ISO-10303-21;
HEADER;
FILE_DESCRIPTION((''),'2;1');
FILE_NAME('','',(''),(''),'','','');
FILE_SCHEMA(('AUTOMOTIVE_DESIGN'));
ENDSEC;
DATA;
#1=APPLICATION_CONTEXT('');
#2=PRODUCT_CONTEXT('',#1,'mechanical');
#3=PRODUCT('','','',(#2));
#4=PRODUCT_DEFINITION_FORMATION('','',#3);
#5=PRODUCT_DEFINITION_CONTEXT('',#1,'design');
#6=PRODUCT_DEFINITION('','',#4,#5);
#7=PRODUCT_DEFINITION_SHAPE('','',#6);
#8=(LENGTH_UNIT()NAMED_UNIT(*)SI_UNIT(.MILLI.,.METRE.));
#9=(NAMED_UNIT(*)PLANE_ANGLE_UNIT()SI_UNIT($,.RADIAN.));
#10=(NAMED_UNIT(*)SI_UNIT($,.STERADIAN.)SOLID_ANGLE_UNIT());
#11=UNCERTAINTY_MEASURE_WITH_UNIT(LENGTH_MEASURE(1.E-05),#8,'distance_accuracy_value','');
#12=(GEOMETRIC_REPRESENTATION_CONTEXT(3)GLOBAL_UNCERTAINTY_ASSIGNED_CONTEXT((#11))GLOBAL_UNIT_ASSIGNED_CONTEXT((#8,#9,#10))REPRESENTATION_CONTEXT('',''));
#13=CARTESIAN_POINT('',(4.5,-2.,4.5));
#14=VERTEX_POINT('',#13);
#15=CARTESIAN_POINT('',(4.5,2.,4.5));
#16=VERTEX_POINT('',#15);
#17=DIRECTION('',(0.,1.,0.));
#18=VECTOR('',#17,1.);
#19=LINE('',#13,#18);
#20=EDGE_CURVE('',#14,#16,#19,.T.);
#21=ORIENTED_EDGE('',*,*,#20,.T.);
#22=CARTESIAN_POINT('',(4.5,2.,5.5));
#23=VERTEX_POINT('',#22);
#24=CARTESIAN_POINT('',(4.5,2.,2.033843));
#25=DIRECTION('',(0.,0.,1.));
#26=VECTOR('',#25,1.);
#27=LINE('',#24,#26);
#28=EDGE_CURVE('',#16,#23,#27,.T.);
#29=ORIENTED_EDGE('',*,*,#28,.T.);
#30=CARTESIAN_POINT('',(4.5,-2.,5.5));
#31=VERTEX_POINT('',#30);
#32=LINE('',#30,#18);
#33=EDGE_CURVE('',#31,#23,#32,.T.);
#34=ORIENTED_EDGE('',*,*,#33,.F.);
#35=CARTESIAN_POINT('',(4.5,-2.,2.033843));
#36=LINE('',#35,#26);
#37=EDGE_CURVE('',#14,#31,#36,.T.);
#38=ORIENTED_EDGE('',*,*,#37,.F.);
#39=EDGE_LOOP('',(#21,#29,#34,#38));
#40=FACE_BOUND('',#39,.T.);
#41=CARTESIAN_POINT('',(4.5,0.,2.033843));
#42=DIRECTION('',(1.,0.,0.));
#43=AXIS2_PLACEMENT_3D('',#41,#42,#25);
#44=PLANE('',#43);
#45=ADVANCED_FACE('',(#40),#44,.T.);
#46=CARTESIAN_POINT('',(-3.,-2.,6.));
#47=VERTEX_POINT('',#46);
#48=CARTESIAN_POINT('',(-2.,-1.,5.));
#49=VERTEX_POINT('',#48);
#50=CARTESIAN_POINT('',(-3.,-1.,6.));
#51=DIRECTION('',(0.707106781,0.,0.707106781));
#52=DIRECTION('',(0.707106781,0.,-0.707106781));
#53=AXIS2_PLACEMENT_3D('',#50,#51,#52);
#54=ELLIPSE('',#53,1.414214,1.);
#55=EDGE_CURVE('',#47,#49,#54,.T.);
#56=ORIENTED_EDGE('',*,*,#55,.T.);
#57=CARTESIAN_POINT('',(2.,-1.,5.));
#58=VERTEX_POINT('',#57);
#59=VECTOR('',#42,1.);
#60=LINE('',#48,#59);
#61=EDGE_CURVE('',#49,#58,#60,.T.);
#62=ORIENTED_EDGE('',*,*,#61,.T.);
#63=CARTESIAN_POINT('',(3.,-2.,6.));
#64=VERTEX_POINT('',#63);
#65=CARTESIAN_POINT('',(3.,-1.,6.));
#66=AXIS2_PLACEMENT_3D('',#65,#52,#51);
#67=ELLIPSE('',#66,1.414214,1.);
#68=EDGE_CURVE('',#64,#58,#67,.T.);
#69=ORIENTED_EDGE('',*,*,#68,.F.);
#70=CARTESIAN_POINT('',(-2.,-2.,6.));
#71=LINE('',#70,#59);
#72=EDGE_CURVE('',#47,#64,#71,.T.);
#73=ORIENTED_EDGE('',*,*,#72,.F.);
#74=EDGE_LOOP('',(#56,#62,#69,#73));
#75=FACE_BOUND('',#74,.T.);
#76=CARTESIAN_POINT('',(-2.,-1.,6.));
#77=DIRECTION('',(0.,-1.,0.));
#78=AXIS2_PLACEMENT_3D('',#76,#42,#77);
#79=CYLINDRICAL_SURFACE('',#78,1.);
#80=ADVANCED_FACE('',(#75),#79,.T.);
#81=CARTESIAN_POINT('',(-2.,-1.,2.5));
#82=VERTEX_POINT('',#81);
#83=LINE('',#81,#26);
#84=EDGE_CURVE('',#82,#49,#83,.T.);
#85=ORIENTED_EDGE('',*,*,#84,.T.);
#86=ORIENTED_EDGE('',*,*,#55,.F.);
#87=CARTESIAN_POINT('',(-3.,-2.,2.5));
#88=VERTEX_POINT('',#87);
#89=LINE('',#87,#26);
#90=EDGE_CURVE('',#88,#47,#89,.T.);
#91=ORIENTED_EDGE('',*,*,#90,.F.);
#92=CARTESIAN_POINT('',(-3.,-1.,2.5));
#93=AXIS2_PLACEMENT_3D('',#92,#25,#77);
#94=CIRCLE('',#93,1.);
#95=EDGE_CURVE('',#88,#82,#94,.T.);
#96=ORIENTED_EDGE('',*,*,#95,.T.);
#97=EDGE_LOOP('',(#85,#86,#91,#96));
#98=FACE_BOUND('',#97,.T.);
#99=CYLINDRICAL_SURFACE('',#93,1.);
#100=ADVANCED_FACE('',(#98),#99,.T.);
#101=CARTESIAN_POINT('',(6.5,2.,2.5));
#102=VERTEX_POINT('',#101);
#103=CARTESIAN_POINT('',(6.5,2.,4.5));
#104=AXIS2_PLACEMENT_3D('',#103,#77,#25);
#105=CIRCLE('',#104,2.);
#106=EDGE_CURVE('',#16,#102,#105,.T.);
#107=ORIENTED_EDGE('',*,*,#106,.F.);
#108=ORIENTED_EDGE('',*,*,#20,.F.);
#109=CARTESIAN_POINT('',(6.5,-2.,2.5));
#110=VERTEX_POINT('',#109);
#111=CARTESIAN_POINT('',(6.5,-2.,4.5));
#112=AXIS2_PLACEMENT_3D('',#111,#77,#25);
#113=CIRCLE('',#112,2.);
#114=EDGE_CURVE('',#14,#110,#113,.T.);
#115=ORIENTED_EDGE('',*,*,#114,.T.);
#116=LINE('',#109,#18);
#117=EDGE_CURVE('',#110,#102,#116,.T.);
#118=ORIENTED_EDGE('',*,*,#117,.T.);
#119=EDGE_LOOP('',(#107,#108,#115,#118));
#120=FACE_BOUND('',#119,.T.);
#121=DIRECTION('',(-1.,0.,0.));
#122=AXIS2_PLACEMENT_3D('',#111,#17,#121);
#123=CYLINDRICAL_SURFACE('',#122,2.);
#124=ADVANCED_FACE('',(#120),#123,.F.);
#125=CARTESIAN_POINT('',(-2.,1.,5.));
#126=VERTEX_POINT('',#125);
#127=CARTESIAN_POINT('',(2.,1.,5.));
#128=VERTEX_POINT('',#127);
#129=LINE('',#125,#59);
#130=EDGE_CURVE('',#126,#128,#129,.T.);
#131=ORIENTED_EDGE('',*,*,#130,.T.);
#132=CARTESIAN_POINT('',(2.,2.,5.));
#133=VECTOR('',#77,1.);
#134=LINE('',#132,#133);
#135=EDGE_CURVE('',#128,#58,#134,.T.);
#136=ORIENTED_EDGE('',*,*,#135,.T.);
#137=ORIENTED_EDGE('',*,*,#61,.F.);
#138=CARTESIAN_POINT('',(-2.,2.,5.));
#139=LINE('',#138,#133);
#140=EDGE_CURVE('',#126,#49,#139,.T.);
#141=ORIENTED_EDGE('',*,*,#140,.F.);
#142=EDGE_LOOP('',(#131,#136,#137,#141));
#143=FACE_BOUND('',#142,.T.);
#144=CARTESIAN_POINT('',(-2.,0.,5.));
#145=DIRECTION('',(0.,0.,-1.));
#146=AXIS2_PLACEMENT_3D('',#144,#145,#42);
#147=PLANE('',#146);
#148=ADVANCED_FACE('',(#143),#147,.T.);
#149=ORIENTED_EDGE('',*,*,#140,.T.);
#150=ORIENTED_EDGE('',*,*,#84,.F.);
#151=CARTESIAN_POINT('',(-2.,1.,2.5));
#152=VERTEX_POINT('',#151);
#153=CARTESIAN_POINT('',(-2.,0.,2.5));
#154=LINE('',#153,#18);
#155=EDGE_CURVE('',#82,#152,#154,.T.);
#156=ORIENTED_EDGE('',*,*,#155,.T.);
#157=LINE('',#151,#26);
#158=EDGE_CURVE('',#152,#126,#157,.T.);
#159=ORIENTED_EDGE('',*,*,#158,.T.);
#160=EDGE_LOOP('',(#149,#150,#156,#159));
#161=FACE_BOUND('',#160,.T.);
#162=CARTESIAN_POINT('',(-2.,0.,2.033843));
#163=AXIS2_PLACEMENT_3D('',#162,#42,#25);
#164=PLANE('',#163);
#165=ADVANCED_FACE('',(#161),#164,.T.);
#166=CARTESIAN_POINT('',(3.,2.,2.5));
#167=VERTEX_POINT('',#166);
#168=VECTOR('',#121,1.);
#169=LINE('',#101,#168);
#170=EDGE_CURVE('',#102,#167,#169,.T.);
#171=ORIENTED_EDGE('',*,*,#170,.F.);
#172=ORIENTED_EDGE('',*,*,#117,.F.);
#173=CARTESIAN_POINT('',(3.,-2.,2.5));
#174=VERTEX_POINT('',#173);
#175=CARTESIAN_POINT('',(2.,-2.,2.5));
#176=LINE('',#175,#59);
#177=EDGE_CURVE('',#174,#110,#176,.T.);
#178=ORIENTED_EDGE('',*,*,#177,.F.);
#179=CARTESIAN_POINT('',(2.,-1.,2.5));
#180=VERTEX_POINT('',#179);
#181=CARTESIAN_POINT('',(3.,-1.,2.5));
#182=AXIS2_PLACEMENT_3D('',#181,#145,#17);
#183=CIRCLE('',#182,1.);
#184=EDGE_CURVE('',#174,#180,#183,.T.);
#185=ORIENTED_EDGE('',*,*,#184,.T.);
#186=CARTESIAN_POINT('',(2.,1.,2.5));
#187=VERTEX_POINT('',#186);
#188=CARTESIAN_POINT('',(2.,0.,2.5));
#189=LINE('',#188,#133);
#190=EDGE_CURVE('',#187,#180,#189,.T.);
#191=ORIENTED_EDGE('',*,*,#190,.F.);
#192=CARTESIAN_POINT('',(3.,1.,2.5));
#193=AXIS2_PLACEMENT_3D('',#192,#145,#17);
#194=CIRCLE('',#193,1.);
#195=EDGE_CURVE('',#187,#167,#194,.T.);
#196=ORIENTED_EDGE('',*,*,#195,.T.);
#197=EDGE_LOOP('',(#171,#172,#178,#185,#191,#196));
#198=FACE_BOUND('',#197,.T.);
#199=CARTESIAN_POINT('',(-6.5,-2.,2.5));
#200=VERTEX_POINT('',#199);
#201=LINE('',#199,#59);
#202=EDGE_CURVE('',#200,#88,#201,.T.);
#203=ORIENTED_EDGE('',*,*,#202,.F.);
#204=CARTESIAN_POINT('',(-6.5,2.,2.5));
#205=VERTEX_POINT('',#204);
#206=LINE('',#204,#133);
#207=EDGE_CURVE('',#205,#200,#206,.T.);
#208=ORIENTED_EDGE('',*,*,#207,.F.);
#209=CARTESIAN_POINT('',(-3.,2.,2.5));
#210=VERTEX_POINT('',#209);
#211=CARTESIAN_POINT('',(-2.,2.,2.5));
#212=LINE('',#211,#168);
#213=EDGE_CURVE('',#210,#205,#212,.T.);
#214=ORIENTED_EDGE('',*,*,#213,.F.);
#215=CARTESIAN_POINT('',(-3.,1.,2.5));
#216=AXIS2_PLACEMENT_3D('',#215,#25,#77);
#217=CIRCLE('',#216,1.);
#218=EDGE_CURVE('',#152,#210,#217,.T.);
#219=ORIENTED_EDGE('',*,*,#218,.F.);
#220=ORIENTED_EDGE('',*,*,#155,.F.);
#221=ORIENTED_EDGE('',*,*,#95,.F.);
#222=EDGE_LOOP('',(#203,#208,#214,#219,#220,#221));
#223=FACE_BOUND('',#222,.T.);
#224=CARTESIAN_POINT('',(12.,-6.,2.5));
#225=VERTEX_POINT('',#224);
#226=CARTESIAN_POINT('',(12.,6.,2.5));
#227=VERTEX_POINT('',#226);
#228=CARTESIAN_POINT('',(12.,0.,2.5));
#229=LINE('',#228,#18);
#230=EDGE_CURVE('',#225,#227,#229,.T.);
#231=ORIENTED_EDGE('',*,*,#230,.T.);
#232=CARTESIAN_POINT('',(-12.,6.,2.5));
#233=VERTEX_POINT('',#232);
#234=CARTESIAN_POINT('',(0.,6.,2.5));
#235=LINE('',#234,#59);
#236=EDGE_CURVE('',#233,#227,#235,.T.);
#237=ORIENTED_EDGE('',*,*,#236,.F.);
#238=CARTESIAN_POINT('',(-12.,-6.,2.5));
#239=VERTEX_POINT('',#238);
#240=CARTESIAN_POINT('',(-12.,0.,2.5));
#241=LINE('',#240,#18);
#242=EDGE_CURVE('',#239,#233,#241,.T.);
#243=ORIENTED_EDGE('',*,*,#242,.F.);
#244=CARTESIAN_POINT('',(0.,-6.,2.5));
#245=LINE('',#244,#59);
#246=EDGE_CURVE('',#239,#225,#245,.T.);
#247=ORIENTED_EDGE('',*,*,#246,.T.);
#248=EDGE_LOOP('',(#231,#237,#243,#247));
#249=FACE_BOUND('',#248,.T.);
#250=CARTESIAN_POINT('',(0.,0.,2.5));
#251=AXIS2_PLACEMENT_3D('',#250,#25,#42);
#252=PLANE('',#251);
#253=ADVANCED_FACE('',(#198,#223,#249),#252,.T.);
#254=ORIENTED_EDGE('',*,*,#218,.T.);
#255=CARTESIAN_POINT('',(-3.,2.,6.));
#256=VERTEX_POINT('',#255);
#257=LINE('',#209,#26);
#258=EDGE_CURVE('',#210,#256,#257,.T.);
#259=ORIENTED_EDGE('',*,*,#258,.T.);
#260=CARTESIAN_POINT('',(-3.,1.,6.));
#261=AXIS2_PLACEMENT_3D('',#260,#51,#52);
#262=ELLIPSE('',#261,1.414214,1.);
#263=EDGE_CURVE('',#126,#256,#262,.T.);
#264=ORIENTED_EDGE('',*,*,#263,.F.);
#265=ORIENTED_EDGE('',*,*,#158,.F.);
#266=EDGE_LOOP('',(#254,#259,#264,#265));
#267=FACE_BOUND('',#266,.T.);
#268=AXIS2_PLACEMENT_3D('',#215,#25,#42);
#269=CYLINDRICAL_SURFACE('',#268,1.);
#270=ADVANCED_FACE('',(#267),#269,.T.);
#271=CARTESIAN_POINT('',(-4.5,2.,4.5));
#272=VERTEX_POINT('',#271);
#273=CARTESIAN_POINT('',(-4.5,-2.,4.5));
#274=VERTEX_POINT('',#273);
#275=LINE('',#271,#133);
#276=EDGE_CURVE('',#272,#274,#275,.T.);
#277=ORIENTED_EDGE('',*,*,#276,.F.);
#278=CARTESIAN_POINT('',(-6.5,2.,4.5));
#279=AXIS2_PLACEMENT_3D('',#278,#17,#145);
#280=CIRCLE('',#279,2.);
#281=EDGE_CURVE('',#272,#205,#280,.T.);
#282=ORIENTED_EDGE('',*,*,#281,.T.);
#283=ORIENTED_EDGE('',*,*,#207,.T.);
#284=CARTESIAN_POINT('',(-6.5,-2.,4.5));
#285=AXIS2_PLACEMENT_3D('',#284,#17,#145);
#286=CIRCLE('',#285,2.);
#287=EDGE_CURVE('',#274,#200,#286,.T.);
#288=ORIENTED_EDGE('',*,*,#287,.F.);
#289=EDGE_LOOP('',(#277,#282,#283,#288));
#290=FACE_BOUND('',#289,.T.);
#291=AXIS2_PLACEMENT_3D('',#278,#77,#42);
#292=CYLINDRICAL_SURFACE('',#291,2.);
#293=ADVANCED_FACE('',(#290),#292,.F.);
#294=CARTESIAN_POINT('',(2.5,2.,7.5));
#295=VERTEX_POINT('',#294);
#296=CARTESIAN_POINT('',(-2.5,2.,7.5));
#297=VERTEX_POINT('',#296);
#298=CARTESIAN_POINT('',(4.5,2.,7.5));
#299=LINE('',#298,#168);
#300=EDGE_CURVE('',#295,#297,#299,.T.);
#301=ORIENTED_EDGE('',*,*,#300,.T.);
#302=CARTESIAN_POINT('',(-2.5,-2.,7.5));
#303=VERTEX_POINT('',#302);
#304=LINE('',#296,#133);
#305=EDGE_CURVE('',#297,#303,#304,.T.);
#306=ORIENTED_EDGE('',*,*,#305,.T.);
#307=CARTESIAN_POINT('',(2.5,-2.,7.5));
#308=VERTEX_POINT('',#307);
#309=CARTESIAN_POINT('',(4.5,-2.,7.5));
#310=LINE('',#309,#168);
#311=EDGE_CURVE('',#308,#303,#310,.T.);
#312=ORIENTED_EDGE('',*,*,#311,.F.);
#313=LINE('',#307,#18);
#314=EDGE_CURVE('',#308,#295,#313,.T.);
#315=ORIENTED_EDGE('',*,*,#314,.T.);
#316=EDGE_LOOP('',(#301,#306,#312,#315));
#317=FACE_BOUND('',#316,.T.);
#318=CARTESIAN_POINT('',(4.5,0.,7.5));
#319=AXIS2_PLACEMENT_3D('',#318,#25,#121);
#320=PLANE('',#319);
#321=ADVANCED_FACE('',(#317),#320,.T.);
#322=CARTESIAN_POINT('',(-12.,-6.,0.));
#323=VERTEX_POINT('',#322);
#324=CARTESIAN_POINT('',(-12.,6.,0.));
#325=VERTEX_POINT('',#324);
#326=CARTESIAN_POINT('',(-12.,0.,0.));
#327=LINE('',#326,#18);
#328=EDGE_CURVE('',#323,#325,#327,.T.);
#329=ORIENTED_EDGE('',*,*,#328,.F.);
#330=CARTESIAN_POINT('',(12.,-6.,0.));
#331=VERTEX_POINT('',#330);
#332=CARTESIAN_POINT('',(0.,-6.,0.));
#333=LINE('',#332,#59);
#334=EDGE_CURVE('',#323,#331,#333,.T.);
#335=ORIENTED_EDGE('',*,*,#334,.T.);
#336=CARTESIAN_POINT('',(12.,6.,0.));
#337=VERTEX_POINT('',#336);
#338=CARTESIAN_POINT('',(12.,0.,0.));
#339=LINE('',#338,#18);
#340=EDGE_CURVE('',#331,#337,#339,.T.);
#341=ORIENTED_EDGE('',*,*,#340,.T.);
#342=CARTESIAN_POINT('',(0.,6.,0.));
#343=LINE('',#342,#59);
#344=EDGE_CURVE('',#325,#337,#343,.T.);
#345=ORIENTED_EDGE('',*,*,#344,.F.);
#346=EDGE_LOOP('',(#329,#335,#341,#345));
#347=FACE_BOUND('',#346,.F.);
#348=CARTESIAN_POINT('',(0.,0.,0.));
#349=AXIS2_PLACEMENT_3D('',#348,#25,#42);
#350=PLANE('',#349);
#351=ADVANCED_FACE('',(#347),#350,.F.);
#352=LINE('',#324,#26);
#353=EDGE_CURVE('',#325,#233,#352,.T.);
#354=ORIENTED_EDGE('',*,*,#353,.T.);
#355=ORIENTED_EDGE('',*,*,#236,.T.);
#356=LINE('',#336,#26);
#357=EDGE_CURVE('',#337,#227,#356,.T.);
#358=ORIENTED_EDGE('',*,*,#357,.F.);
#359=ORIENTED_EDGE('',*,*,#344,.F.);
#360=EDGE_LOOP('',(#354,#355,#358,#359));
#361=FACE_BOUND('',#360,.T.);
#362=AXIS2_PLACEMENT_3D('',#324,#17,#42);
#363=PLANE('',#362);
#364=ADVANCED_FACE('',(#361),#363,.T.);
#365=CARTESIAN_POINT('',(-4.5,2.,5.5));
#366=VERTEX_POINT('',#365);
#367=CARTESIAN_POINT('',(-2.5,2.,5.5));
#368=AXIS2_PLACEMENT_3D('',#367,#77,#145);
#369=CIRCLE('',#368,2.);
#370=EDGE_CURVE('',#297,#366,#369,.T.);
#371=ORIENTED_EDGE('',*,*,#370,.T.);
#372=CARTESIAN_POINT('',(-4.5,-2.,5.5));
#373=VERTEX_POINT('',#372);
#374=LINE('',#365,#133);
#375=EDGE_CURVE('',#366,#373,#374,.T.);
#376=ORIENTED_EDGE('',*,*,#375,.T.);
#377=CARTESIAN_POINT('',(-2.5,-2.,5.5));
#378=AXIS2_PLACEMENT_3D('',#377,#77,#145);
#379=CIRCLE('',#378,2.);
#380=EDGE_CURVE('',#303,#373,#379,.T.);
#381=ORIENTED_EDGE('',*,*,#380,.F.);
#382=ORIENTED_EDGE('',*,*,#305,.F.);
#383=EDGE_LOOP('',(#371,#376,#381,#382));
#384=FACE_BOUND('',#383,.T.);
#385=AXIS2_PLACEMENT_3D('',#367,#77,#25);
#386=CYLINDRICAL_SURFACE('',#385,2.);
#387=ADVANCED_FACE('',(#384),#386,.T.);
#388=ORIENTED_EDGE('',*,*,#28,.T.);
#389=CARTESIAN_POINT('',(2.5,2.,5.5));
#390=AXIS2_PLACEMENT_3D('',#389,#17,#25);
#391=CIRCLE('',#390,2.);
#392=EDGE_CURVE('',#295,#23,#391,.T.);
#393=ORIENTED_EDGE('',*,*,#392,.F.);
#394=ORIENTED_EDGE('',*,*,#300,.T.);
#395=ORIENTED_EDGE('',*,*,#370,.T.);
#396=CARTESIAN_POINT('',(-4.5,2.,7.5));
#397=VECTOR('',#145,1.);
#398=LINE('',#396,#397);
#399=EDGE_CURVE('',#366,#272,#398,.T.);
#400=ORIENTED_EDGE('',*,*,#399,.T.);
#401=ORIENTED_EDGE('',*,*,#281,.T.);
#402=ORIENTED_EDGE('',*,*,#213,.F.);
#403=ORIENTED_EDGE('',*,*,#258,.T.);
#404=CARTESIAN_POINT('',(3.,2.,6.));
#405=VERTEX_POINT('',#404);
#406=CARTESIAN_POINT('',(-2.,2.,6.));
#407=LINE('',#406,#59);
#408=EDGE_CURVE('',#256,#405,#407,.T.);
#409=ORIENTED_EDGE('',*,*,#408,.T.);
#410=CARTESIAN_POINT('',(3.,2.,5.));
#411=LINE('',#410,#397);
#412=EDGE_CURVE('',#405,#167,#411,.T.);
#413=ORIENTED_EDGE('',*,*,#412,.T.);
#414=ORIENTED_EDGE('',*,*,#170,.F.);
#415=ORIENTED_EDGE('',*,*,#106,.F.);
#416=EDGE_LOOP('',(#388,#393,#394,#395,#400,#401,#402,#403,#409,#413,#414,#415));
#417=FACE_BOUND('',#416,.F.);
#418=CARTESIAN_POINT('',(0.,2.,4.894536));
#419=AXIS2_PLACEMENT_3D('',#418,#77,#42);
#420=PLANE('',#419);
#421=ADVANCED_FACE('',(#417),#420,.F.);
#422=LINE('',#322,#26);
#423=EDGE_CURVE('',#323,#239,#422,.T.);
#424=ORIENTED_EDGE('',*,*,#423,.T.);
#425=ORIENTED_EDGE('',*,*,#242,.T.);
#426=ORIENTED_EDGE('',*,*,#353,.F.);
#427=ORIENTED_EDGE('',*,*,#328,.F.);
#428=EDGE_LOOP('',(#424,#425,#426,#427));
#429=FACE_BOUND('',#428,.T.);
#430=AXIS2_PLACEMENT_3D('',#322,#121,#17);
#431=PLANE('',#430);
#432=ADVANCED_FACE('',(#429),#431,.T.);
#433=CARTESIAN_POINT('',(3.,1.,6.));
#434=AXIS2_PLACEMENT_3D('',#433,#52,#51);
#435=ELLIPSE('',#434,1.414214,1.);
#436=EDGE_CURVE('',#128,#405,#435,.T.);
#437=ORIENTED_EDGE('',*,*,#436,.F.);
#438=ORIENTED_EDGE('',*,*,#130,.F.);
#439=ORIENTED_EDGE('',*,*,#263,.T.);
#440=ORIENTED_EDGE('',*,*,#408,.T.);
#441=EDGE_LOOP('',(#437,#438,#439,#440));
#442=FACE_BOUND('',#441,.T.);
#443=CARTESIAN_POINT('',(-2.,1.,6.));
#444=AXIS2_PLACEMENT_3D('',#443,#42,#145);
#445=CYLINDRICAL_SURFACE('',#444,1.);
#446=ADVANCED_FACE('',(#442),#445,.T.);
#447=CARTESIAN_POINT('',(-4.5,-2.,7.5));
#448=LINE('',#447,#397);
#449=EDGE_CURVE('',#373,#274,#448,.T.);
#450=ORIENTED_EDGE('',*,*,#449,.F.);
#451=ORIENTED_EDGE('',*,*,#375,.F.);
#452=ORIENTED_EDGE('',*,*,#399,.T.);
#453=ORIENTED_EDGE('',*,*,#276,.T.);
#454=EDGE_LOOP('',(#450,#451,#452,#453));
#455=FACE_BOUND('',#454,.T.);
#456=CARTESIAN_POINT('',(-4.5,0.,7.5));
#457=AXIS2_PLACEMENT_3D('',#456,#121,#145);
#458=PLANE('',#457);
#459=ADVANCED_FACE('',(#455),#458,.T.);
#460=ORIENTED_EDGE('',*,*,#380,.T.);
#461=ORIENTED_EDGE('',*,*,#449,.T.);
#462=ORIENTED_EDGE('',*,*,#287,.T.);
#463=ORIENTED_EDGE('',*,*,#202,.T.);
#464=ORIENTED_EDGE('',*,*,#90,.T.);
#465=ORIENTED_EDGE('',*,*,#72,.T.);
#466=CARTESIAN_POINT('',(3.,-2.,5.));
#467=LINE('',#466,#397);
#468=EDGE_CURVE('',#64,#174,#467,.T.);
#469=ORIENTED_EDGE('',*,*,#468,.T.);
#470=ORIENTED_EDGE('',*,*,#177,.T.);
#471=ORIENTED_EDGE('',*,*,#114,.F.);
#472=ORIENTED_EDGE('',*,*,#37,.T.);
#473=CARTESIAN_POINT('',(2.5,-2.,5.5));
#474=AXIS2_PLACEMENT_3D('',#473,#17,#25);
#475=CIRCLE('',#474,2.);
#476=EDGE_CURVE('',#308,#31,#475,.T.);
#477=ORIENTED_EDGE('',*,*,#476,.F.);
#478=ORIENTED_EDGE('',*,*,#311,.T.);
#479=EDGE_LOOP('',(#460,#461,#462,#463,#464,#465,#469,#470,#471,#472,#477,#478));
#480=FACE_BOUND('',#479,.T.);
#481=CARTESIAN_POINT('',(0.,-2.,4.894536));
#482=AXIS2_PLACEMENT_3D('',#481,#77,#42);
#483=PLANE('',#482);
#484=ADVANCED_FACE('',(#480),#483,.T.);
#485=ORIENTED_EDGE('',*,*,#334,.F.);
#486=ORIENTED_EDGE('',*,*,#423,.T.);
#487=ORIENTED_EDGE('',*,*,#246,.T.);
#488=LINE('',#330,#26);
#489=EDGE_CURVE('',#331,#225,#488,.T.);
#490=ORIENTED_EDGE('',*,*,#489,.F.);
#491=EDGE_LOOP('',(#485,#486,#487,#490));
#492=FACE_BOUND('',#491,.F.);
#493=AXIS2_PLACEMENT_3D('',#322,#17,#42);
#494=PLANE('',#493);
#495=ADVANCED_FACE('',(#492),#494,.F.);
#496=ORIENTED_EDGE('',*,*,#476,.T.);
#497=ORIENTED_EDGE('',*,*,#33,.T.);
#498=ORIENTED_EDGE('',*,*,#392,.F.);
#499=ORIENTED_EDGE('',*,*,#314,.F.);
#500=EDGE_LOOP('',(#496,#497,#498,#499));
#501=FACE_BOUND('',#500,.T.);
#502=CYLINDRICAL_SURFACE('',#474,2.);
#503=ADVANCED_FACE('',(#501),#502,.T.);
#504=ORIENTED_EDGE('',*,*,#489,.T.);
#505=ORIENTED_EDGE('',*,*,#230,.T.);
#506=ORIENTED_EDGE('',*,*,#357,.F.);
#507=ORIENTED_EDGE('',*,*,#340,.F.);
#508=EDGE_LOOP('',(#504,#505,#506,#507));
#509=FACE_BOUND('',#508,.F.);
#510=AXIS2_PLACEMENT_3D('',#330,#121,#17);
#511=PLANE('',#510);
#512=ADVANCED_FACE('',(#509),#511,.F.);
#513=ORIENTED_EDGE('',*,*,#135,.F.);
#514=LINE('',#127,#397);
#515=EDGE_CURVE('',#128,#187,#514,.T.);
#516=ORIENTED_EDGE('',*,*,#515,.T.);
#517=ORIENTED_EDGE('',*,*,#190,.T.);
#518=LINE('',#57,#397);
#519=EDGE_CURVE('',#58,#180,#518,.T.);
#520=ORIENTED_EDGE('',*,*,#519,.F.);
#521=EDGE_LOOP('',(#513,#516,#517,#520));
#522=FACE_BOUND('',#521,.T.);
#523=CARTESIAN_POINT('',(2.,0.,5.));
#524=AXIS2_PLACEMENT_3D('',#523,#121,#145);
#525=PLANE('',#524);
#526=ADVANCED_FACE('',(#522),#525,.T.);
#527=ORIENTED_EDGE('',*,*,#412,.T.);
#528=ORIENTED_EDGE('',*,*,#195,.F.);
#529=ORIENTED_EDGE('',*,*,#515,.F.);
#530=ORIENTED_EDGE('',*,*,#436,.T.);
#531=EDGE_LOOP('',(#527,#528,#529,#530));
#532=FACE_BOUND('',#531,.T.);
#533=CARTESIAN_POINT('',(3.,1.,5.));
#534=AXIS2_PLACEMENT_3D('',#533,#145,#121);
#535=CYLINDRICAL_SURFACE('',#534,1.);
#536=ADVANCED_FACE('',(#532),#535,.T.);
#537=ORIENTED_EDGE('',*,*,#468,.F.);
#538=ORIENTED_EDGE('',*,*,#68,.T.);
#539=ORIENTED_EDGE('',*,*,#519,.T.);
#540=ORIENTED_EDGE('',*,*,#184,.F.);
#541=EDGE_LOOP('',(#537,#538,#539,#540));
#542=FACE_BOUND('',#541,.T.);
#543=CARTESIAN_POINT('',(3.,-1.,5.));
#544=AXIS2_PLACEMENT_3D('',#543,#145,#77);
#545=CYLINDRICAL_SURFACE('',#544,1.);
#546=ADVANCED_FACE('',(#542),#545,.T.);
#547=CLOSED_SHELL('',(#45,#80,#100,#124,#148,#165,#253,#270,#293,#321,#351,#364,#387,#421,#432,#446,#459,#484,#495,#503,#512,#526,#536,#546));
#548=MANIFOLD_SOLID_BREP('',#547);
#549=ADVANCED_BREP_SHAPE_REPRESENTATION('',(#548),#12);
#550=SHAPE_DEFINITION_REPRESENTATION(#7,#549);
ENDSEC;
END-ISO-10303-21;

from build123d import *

# Parameters (mm, degrees)
F0_W     = 24
F0_H     = 12
F1_DEPTH = 2.5
F3_DEPTH = 2
F4_R     = 2
F5_R     = 1


with BuildPart() as f1:
    # F0 (on Top) → F1 (new body)
    with BuildSketch(Plane.XY):
        Rectangle(F0_W, F0_H)
    extrude(amount=F1_DEPTH)

    # F2 (on Front) → F3 (join, symmetric)
    with BuildSketch(Plane.XZ):
        Polygon((4.5, 7.5), (-4.5, 7.5), (-4.5, 2.033843), (-2, 2.033843), (-2, 5), (2, 5), (2, 2.033843), (4.5, 2.033843), align=None)
    extrude(amount=F3_DEPTH, both=True)

    # F4
    f4_edges = [f1.edges().sort_by_distance(p)[0] for p in [
        (4.5, 0, 7.5),
        (-4.5, 0, 7.5),
        (4.5, 0, 2.5),
        (-4.5, 0, 2.5),
    ]]
    fillet(f4_edges, radius=F4_R)

    # F5
    f5_edges = [f1.edges().sort_by_distance(p)[0] for p in [
        (0, -2, 5),
        (0, 2, 5),
        (2, 2, 3.75),
        (-2, 2, 3.75),
        (2, -2, 3.75),
        (-2, -2, 3.75),
    ]]
    fillet(f5_edges, radius=F5_R)


solid = f1.part
